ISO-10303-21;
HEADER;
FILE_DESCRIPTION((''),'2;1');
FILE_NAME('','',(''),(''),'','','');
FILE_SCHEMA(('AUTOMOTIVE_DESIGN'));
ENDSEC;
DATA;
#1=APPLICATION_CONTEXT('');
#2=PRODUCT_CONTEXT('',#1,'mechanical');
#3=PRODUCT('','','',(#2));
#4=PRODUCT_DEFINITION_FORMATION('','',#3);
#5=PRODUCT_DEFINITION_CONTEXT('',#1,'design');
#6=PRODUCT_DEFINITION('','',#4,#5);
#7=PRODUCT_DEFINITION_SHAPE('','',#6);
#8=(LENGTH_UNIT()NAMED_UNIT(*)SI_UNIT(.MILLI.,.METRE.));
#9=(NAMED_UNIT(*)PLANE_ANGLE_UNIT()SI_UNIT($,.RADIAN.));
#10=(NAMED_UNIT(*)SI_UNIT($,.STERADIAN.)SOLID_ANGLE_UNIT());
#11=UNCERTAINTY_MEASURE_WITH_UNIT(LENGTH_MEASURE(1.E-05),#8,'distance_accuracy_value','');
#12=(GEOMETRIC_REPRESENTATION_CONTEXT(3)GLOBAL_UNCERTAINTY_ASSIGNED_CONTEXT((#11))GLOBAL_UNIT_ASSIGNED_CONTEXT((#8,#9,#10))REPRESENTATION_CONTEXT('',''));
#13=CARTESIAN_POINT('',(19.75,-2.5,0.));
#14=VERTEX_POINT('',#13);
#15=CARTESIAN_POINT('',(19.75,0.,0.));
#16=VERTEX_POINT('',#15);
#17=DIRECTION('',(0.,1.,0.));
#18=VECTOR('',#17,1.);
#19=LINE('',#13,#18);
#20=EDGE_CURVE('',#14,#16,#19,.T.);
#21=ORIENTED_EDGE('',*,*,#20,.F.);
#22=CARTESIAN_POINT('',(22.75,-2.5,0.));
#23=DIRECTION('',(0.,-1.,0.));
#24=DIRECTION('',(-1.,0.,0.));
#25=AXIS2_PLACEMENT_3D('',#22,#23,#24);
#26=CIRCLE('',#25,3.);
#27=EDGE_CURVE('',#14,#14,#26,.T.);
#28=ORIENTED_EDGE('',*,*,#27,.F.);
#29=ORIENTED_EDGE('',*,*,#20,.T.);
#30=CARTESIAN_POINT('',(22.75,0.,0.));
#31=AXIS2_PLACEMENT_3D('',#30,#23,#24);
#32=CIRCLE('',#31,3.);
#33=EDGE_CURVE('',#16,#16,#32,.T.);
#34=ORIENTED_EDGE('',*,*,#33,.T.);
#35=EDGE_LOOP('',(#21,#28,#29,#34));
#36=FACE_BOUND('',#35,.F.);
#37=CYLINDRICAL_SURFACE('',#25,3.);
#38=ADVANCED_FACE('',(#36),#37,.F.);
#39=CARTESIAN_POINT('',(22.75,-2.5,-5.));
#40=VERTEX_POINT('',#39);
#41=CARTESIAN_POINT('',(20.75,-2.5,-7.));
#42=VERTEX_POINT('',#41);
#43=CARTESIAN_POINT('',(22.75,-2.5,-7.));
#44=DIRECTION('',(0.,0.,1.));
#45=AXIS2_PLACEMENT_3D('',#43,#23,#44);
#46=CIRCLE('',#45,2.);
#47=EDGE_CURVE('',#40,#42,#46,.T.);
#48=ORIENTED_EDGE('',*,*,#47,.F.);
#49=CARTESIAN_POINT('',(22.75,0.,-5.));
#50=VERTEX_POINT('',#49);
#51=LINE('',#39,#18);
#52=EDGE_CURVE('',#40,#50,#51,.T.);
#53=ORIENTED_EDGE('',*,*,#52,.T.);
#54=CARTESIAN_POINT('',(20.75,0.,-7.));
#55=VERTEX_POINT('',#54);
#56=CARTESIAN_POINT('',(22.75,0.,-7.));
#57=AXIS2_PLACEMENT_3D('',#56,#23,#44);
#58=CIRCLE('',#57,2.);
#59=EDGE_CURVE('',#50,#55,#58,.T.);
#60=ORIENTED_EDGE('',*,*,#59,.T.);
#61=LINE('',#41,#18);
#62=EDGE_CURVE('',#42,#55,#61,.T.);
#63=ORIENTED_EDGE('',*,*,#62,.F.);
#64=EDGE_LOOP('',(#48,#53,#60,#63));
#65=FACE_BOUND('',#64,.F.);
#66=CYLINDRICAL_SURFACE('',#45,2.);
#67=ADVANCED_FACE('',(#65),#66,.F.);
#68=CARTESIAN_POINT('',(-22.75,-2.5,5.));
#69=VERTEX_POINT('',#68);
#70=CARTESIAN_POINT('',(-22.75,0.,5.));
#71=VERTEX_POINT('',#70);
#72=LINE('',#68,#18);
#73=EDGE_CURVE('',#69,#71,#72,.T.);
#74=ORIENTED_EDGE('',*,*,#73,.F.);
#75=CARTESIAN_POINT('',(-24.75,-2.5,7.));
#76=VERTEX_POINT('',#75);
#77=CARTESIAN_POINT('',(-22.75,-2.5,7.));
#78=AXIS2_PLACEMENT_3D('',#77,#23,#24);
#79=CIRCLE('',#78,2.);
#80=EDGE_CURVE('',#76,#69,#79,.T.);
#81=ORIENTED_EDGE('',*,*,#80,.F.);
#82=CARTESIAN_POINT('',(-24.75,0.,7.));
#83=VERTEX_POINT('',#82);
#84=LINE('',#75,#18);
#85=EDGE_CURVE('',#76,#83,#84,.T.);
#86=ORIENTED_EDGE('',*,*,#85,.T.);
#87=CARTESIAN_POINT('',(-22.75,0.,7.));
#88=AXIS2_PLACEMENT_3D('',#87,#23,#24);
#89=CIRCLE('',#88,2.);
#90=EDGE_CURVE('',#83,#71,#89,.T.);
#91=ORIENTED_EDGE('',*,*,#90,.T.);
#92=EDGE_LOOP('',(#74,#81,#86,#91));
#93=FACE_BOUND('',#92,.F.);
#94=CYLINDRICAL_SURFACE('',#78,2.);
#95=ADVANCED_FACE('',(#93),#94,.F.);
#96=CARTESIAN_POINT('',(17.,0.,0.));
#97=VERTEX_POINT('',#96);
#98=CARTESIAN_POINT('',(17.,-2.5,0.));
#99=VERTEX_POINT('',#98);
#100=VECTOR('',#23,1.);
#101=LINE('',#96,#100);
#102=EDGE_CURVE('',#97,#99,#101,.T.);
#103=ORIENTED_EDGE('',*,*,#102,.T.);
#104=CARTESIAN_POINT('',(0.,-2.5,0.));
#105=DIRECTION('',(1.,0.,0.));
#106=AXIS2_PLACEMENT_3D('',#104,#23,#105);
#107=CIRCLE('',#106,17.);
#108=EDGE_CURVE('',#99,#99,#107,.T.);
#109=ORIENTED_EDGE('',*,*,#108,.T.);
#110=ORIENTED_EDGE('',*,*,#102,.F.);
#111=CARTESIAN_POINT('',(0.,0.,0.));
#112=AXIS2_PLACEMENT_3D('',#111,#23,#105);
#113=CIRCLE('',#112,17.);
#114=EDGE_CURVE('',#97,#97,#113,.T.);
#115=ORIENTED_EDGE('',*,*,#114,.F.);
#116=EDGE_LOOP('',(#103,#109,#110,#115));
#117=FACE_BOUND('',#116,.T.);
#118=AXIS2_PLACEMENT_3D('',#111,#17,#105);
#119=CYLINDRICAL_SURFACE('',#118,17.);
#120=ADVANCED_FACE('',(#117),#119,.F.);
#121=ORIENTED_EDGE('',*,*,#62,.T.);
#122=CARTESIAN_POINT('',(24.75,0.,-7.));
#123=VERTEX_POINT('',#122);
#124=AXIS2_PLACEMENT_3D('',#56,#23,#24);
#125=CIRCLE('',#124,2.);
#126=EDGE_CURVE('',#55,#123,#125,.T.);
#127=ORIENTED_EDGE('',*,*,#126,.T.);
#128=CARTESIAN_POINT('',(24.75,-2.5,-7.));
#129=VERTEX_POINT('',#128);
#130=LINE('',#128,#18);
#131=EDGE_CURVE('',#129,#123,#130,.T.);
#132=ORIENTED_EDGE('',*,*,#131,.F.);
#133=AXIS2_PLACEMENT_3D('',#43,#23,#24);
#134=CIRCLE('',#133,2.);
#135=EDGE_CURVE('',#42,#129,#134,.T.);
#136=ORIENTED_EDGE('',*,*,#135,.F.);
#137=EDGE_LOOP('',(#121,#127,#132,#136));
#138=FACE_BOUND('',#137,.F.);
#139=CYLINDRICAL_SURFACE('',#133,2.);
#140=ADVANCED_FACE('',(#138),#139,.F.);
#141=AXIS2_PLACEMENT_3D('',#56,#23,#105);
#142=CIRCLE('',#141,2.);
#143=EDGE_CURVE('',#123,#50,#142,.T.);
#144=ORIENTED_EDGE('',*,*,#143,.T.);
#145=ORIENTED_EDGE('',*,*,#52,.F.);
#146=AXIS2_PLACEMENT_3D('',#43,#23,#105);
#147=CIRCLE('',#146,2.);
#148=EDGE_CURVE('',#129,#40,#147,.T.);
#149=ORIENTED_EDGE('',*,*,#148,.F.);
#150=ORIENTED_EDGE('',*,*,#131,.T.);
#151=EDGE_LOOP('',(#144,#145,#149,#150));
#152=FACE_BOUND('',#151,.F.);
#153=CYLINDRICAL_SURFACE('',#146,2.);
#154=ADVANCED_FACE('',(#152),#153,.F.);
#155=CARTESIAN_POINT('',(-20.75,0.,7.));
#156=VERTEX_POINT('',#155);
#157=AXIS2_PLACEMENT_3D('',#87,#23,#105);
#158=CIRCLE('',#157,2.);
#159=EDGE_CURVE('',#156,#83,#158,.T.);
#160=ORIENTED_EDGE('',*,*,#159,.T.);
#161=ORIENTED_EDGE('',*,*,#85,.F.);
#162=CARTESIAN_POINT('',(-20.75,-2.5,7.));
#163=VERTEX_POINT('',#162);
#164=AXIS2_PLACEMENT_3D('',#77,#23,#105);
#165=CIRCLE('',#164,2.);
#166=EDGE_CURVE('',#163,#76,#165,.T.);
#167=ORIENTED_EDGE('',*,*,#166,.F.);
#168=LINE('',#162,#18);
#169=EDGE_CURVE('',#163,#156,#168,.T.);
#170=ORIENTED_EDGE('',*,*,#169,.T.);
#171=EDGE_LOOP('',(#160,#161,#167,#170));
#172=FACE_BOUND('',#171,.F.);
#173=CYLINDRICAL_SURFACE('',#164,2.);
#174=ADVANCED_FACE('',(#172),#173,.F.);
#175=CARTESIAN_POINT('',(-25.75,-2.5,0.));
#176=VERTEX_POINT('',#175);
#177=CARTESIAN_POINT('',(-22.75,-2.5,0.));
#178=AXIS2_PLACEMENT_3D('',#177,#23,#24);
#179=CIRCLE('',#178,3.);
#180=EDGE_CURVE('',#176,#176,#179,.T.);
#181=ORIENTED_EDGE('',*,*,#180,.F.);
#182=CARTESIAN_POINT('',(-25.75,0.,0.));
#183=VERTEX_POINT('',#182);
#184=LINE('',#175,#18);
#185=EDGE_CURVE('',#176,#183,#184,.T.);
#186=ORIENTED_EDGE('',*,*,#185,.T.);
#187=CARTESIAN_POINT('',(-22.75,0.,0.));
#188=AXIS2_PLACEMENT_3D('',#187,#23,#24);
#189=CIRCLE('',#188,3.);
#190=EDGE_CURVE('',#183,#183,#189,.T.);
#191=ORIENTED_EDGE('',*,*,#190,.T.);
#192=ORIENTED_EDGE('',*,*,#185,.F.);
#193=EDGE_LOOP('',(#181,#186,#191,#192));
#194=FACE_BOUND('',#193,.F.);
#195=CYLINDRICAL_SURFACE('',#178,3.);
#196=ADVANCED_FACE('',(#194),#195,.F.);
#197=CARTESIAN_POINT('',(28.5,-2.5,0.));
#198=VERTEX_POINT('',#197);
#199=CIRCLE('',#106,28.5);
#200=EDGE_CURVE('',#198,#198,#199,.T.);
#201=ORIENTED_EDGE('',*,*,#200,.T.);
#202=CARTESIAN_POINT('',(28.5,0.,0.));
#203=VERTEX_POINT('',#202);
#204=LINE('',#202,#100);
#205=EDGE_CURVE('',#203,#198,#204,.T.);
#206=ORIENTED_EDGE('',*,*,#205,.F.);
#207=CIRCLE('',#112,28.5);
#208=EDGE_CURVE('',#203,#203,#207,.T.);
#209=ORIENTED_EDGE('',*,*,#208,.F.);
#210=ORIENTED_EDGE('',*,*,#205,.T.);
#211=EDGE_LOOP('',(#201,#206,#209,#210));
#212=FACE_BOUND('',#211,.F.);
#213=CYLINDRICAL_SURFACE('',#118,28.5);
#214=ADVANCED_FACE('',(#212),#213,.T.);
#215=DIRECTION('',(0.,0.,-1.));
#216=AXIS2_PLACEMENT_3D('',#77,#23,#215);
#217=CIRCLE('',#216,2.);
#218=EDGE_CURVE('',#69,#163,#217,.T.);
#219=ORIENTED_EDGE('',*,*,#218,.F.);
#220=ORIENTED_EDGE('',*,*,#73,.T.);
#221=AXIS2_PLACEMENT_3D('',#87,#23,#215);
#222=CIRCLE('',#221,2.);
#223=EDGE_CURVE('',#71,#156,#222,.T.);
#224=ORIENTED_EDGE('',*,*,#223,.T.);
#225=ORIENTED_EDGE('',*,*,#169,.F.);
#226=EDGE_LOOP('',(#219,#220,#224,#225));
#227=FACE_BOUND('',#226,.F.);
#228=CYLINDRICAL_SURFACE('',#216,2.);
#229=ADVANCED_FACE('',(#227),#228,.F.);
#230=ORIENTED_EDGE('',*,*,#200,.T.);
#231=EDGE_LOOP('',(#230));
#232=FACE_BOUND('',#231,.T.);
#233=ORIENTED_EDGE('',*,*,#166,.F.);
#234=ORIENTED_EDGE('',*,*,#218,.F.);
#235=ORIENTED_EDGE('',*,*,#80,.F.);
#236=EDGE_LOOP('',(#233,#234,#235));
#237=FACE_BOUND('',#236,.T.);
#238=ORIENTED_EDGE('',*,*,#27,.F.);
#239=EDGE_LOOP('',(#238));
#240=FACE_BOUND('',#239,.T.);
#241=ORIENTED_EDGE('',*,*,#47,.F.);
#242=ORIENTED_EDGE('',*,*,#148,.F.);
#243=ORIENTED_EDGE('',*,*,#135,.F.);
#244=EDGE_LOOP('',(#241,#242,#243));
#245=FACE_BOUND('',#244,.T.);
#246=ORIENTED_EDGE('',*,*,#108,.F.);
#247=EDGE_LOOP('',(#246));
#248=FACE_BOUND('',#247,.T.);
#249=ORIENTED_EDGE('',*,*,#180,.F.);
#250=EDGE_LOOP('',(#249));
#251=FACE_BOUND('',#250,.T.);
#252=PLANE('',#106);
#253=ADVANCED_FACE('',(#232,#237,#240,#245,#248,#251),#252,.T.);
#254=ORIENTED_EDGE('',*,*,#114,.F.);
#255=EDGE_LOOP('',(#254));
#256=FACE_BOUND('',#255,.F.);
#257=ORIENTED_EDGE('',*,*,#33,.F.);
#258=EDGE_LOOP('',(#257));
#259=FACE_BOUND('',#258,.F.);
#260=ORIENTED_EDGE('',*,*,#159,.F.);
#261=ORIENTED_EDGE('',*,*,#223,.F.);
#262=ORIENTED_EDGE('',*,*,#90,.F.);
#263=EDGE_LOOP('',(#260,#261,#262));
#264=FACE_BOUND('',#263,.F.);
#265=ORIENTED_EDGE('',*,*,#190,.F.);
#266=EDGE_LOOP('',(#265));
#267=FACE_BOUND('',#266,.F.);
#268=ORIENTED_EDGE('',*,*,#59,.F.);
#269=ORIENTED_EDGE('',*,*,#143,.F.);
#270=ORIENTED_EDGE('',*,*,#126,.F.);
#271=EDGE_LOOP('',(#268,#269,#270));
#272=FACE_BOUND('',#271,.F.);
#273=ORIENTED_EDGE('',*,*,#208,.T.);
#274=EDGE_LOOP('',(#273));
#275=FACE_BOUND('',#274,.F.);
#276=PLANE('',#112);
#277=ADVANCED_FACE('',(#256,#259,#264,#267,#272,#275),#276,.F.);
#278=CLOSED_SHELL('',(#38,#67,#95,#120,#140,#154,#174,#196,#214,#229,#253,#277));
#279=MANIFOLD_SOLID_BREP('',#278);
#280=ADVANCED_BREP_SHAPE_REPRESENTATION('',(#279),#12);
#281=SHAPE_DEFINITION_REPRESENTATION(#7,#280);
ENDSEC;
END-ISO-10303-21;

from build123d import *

# Parameters (mm, degrees)
F0_R     = 28.5
F0_R_2   = 17
F1_DEPTH = 2.5
F3_DEPTH = 25
F6_DEPTH = 25
F7_DEPTH = 25


with BuildPart() as f1:
    # F0 (on Front) → F1 (new body)
    with BuildSketch(Plane.XZ):
        Circle(F0_R)
        Circle(F0_R_2, mode=Mode.SUBTRACT)
    extrude(amount=F1_DEPTH)

    # F2 (on face) → F3 (cut)
    with BuildSketch(Plane.XZ.offset(2.5)):
        with BuildLine():
            Line((-25.75, 0), (-19.75, 0))
            ThreePointArc((-19.75, 0), (-22.75, 3), (-25.75, 0))
        make_face()
        with BuildLine():
            ThreePointArc((-25.75, 0), (-22.75, -3), (-19.75, 0))
            Line((-19.75, 0), (-25.75, 0))
        make_face()
        with BuildLine():
            ThreePointArc((25.75, 0), (22.75, 3), (19.75, 0))
            Line((19.75, 0), (25.75, 0))
        make_face()
        with BuildLine():
            Line((25.75, 0), (19.75, 0))
            ThreePointArc((19.75, 0), (22.75, -3), (25.75, 0))
        make_face()
    extrude(amount=-F3_DEPTH, mode=Mode.SUBTRACT)

    # F5 (on face) → F6 (cut)
    with BuildSketch(Plane.XZ.offset(2.5)):
        with BuildLine():
            Line((-24.75, 7), (-22.75, 7))
            Line((-22.75, 7), (-20.75, 7))
            ThreePointArc((-20.75, 7), (-22.75, 9), (-24.75, 7))
        make_face()
        with BuildLine():
            Line((-22.75, 7), (-22.75, 5))
            ThreePointArc((-22.75, 5), (-21.3357864376, 5.5857864376), (-20.75, 7))
            Line((-20.75, 7), (-22.75, 7))
        make_face()
        with BuildLine():
            ThreePointArc((-24.75, 7), (-24.1642135624, 5.5857864376), (-22.75, 5))
            Line((-22.75, 5), (-22.75, 7))
            Line((-22.75, 7), (-24.75, 7))
        make_face()
    extrude(amount=-F6_DEPTH, mode=Mode.SUBTRACT)

    # F4 (on face) → F7 (cut)
    with BuildSketch(Plane.XZ.offset(2.5)):
        with BuildLine():
            Line((24.75, -7), (22.75, -7))
            Line((22.75, -7), (20.75, -7))
            ThreePointArc((20.75, -7), (22.75, -9), (24.75, -7))
        make_face()
        with BuildLine():
            Line((22.75, -7), (22.75, -5))
            ThreePointArc((22.75, -5), (21.3357864376, -5.5857864376), (20.75, -7))
            Line((20.75, -7), (22.75, -7))
        make_face()
        with BuildLine():
            ThreePointArc((24.75, -7), (24.1642135624, -5.5857864376), (22.75, -5))
            Line((22.75, -5), (22.75, -7))
            Line((22.75, -7), (24.75, -7))
        make_face()
    extrude(amount=-F7_DEPTH, mode=Mode.SUBTRACT)


solid = f1.part
